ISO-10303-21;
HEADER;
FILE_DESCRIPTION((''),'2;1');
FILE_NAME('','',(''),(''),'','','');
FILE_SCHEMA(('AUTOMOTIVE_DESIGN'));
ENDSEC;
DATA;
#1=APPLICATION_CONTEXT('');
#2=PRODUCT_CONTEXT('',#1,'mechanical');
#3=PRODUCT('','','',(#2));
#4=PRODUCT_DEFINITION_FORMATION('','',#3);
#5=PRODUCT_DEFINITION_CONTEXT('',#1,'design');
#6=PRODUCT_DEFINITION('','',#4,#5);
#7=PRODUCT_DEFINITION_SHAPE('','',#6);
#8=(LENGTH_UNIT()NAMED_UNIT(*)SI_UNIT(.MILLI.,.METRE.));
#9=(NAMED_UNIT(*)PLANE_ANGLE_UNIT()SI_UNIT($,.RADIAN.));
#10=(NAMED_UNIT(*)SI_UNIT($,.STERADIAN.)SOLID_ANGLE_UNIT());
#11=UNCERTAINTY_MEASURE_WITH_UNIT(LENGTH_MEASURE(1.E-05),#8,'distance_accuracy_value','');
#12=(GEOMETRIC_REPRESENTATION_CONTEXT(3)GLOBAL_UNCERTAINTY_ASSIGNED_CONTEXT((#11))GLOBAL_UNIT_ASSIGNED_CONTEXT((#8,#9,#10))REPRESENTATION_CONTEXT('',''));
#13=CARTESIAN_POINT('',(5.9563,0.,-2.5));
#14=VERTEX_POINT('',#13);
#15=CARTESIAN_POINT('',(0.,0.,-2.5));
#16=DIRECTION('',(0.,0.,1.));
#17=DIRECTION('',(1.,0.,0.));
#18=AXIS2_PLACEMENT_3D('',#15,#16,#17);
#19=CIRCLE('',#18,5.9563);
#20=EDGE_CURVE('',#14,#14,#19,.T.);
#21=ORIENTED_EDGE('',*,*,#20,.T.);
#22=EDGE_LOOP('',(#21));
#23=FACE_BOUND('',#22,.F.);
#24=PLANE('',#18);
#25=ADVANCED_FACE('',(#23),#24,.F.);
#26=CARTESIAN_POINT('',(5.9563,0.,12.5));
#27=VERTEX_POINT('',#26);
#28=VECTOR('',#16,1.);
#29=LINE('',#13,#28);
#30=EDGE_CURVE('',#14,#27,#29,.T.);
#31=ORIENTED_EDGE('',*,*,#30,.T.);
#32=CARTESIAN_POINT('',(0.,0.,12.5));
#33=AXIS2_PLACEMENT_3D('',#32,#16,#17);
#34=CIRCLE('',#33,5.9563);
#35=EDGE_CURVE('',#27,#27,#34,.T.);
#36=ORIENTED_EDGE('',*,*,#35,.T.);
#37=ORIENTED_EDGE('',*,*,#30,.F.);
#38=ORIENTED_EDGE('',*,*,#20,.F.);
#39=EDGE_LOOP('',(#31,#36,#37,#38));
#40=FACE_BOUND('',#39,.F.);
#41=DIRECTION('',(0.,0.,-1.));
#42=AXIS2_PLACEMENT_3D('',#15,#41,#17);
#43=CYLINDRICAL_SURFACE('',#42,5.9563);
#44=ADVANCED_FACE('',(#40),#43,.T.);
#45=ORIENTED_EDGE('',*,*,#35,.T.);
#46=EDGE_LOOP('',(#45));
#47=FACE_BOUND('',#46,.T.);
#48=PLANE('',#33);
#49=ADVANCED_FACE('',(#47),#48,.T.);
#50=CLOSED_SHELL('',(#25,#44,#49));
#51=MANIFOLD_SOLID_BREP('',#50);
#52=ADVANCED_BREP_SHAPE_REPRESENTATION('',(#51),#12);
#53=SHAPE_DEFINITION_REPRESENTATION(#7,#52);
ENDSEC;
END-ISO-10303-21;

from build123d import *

# Parameters (mm, degrees)
CYLINDER_R     = 5.9563
CYLINDER_DEPTH = 15


with BuildPart() as part:
    # Cylinder → Cylinder (new body)
    with BuildSketch(Plane.XY.offset(-2.5)):
        Circle(CYLINDER_R)
    extrude(amount=CYLINDER_DEPTH)


solid = part.part
